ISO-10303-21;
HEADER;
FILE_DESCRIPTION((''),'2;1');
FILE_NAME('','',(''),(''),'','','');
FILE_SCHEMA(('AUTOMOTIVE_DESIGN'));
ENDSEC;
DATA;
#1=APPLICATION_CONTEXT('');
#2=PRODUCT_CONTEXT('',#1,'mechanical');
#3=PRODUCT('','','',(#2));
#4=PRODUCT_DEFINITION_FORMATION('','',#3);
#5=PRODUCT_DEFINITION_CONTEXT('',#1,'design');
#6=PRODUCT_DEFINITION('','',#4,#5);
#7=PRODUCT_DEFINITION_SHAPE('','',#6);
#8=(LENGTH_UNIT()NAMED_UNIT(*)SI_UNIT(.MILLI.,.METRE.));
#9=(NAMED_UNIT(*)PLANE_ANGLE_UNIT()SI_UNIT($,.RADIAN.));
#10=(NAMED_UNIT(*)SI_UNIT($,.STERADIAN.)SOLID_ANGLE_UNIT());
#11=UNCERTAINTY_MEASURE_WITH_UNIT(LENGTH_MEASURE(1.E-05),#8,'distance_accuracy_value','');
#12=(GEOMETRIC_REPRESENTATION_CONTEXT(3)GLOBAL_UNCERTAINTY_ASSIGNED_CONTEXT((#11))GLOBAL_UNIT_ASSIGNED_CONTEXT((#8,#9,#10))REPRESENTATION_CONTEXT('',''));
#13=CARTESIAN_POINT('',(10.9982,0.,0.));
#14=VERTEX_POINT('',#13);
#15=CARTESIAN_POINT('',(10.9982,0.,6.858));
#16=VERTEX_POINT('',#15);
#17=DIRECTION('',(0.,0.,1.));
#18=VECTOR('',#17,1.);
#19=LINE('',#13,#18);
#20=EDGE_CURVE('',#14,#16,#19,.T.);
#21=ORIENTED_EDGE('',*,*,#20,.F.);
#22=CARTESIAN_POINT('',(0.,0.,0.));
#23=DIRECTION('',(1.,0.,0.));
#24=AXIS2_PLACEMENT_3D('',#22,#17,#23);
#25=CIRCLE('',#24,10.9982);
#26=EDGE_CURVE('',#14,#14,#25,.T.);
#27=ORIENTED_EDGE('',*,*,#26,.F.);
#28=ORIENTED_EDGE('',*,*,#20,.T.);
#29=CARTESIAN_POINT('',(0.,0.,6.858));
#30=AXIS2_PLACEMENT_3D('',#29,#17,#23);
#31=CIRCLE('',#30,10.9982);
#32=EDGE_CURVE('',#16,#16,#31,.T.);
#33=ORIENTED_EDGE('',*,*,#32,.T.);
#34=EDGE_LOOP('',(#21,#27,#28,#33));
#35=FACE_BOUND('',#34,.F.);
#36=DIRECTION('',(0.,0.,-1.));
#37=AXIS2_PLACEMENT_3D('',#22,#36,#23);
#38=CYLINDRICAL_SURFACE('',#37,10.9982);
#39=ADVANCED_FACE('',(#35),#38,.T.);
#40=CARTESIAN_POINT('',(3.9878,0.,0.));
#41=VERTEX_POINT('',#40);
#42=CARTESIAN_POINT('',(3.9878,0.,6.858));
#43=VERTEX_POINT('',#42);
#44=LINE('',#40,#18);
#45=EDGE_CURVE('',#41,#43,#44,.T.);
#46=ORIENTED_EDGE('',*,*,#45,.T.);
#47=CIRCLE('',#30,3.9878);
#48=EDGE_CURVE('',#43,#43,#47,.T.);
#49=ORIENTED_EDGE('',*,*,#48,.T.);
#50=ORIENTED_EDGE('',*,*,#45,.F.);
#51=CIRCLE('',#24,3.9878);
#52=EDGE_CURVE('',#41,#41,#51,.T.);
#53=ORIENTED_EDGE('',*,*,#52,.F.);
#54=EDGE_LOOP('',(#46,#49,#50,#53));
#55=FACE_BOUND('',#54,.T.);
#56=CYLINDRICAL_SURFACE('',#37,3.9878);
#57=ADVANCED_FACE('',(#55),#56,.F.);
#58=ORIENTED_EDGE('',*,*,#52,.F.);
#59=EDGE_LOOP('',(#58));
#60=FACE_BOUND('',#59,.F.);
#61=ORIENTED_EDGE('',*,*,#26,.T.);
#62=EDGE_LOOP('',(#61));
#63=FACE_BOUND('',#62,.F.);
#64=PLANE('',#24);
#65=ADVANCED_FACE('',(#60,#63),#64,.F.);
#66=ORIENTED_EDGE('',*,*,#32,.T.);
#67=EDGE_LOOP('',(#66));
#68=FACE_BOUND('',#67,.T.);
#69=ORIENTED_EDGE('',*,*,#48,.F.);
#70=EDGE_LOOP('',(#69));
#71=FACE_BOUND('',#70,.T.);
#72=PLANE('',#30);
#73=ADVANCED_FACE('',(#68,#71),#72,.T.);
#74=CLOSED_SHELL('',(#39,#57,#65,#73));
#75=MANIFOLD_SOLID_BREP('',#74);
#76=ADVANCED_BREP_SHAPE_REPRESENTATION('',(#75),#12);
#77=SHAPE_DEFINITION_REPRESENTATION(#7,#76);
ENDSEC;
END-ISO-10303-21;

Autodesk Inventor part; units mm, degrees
ref_plane "YZ Plane" through (0, 0, 0) normal (1, 0, 0) x (0, 1, 0)
ref_plane "XZ Plane" through (0, 0, 0) normal (0, 1, 0) x (-1, 0, 0)
ref_plane "XY Plane" through (0, 0, 0) normal (0, 0, 1) x (1, 0, 0)
sketch "Sketch1" plane through (0, 0, 0) normal (0, 0, 1) x (1, 0, 0)
  circle A0 centre (0, 0) radius 3.9878
  circle A1 centre (0, 0) radius 10.9982
  dimension "d0" = 7.9756
  dimension "d1" = 21.9964
extrude "Extrusion1" add sketch "Sketch1" along normal blind 6.858
properties part number "Camshaft Bearing"
